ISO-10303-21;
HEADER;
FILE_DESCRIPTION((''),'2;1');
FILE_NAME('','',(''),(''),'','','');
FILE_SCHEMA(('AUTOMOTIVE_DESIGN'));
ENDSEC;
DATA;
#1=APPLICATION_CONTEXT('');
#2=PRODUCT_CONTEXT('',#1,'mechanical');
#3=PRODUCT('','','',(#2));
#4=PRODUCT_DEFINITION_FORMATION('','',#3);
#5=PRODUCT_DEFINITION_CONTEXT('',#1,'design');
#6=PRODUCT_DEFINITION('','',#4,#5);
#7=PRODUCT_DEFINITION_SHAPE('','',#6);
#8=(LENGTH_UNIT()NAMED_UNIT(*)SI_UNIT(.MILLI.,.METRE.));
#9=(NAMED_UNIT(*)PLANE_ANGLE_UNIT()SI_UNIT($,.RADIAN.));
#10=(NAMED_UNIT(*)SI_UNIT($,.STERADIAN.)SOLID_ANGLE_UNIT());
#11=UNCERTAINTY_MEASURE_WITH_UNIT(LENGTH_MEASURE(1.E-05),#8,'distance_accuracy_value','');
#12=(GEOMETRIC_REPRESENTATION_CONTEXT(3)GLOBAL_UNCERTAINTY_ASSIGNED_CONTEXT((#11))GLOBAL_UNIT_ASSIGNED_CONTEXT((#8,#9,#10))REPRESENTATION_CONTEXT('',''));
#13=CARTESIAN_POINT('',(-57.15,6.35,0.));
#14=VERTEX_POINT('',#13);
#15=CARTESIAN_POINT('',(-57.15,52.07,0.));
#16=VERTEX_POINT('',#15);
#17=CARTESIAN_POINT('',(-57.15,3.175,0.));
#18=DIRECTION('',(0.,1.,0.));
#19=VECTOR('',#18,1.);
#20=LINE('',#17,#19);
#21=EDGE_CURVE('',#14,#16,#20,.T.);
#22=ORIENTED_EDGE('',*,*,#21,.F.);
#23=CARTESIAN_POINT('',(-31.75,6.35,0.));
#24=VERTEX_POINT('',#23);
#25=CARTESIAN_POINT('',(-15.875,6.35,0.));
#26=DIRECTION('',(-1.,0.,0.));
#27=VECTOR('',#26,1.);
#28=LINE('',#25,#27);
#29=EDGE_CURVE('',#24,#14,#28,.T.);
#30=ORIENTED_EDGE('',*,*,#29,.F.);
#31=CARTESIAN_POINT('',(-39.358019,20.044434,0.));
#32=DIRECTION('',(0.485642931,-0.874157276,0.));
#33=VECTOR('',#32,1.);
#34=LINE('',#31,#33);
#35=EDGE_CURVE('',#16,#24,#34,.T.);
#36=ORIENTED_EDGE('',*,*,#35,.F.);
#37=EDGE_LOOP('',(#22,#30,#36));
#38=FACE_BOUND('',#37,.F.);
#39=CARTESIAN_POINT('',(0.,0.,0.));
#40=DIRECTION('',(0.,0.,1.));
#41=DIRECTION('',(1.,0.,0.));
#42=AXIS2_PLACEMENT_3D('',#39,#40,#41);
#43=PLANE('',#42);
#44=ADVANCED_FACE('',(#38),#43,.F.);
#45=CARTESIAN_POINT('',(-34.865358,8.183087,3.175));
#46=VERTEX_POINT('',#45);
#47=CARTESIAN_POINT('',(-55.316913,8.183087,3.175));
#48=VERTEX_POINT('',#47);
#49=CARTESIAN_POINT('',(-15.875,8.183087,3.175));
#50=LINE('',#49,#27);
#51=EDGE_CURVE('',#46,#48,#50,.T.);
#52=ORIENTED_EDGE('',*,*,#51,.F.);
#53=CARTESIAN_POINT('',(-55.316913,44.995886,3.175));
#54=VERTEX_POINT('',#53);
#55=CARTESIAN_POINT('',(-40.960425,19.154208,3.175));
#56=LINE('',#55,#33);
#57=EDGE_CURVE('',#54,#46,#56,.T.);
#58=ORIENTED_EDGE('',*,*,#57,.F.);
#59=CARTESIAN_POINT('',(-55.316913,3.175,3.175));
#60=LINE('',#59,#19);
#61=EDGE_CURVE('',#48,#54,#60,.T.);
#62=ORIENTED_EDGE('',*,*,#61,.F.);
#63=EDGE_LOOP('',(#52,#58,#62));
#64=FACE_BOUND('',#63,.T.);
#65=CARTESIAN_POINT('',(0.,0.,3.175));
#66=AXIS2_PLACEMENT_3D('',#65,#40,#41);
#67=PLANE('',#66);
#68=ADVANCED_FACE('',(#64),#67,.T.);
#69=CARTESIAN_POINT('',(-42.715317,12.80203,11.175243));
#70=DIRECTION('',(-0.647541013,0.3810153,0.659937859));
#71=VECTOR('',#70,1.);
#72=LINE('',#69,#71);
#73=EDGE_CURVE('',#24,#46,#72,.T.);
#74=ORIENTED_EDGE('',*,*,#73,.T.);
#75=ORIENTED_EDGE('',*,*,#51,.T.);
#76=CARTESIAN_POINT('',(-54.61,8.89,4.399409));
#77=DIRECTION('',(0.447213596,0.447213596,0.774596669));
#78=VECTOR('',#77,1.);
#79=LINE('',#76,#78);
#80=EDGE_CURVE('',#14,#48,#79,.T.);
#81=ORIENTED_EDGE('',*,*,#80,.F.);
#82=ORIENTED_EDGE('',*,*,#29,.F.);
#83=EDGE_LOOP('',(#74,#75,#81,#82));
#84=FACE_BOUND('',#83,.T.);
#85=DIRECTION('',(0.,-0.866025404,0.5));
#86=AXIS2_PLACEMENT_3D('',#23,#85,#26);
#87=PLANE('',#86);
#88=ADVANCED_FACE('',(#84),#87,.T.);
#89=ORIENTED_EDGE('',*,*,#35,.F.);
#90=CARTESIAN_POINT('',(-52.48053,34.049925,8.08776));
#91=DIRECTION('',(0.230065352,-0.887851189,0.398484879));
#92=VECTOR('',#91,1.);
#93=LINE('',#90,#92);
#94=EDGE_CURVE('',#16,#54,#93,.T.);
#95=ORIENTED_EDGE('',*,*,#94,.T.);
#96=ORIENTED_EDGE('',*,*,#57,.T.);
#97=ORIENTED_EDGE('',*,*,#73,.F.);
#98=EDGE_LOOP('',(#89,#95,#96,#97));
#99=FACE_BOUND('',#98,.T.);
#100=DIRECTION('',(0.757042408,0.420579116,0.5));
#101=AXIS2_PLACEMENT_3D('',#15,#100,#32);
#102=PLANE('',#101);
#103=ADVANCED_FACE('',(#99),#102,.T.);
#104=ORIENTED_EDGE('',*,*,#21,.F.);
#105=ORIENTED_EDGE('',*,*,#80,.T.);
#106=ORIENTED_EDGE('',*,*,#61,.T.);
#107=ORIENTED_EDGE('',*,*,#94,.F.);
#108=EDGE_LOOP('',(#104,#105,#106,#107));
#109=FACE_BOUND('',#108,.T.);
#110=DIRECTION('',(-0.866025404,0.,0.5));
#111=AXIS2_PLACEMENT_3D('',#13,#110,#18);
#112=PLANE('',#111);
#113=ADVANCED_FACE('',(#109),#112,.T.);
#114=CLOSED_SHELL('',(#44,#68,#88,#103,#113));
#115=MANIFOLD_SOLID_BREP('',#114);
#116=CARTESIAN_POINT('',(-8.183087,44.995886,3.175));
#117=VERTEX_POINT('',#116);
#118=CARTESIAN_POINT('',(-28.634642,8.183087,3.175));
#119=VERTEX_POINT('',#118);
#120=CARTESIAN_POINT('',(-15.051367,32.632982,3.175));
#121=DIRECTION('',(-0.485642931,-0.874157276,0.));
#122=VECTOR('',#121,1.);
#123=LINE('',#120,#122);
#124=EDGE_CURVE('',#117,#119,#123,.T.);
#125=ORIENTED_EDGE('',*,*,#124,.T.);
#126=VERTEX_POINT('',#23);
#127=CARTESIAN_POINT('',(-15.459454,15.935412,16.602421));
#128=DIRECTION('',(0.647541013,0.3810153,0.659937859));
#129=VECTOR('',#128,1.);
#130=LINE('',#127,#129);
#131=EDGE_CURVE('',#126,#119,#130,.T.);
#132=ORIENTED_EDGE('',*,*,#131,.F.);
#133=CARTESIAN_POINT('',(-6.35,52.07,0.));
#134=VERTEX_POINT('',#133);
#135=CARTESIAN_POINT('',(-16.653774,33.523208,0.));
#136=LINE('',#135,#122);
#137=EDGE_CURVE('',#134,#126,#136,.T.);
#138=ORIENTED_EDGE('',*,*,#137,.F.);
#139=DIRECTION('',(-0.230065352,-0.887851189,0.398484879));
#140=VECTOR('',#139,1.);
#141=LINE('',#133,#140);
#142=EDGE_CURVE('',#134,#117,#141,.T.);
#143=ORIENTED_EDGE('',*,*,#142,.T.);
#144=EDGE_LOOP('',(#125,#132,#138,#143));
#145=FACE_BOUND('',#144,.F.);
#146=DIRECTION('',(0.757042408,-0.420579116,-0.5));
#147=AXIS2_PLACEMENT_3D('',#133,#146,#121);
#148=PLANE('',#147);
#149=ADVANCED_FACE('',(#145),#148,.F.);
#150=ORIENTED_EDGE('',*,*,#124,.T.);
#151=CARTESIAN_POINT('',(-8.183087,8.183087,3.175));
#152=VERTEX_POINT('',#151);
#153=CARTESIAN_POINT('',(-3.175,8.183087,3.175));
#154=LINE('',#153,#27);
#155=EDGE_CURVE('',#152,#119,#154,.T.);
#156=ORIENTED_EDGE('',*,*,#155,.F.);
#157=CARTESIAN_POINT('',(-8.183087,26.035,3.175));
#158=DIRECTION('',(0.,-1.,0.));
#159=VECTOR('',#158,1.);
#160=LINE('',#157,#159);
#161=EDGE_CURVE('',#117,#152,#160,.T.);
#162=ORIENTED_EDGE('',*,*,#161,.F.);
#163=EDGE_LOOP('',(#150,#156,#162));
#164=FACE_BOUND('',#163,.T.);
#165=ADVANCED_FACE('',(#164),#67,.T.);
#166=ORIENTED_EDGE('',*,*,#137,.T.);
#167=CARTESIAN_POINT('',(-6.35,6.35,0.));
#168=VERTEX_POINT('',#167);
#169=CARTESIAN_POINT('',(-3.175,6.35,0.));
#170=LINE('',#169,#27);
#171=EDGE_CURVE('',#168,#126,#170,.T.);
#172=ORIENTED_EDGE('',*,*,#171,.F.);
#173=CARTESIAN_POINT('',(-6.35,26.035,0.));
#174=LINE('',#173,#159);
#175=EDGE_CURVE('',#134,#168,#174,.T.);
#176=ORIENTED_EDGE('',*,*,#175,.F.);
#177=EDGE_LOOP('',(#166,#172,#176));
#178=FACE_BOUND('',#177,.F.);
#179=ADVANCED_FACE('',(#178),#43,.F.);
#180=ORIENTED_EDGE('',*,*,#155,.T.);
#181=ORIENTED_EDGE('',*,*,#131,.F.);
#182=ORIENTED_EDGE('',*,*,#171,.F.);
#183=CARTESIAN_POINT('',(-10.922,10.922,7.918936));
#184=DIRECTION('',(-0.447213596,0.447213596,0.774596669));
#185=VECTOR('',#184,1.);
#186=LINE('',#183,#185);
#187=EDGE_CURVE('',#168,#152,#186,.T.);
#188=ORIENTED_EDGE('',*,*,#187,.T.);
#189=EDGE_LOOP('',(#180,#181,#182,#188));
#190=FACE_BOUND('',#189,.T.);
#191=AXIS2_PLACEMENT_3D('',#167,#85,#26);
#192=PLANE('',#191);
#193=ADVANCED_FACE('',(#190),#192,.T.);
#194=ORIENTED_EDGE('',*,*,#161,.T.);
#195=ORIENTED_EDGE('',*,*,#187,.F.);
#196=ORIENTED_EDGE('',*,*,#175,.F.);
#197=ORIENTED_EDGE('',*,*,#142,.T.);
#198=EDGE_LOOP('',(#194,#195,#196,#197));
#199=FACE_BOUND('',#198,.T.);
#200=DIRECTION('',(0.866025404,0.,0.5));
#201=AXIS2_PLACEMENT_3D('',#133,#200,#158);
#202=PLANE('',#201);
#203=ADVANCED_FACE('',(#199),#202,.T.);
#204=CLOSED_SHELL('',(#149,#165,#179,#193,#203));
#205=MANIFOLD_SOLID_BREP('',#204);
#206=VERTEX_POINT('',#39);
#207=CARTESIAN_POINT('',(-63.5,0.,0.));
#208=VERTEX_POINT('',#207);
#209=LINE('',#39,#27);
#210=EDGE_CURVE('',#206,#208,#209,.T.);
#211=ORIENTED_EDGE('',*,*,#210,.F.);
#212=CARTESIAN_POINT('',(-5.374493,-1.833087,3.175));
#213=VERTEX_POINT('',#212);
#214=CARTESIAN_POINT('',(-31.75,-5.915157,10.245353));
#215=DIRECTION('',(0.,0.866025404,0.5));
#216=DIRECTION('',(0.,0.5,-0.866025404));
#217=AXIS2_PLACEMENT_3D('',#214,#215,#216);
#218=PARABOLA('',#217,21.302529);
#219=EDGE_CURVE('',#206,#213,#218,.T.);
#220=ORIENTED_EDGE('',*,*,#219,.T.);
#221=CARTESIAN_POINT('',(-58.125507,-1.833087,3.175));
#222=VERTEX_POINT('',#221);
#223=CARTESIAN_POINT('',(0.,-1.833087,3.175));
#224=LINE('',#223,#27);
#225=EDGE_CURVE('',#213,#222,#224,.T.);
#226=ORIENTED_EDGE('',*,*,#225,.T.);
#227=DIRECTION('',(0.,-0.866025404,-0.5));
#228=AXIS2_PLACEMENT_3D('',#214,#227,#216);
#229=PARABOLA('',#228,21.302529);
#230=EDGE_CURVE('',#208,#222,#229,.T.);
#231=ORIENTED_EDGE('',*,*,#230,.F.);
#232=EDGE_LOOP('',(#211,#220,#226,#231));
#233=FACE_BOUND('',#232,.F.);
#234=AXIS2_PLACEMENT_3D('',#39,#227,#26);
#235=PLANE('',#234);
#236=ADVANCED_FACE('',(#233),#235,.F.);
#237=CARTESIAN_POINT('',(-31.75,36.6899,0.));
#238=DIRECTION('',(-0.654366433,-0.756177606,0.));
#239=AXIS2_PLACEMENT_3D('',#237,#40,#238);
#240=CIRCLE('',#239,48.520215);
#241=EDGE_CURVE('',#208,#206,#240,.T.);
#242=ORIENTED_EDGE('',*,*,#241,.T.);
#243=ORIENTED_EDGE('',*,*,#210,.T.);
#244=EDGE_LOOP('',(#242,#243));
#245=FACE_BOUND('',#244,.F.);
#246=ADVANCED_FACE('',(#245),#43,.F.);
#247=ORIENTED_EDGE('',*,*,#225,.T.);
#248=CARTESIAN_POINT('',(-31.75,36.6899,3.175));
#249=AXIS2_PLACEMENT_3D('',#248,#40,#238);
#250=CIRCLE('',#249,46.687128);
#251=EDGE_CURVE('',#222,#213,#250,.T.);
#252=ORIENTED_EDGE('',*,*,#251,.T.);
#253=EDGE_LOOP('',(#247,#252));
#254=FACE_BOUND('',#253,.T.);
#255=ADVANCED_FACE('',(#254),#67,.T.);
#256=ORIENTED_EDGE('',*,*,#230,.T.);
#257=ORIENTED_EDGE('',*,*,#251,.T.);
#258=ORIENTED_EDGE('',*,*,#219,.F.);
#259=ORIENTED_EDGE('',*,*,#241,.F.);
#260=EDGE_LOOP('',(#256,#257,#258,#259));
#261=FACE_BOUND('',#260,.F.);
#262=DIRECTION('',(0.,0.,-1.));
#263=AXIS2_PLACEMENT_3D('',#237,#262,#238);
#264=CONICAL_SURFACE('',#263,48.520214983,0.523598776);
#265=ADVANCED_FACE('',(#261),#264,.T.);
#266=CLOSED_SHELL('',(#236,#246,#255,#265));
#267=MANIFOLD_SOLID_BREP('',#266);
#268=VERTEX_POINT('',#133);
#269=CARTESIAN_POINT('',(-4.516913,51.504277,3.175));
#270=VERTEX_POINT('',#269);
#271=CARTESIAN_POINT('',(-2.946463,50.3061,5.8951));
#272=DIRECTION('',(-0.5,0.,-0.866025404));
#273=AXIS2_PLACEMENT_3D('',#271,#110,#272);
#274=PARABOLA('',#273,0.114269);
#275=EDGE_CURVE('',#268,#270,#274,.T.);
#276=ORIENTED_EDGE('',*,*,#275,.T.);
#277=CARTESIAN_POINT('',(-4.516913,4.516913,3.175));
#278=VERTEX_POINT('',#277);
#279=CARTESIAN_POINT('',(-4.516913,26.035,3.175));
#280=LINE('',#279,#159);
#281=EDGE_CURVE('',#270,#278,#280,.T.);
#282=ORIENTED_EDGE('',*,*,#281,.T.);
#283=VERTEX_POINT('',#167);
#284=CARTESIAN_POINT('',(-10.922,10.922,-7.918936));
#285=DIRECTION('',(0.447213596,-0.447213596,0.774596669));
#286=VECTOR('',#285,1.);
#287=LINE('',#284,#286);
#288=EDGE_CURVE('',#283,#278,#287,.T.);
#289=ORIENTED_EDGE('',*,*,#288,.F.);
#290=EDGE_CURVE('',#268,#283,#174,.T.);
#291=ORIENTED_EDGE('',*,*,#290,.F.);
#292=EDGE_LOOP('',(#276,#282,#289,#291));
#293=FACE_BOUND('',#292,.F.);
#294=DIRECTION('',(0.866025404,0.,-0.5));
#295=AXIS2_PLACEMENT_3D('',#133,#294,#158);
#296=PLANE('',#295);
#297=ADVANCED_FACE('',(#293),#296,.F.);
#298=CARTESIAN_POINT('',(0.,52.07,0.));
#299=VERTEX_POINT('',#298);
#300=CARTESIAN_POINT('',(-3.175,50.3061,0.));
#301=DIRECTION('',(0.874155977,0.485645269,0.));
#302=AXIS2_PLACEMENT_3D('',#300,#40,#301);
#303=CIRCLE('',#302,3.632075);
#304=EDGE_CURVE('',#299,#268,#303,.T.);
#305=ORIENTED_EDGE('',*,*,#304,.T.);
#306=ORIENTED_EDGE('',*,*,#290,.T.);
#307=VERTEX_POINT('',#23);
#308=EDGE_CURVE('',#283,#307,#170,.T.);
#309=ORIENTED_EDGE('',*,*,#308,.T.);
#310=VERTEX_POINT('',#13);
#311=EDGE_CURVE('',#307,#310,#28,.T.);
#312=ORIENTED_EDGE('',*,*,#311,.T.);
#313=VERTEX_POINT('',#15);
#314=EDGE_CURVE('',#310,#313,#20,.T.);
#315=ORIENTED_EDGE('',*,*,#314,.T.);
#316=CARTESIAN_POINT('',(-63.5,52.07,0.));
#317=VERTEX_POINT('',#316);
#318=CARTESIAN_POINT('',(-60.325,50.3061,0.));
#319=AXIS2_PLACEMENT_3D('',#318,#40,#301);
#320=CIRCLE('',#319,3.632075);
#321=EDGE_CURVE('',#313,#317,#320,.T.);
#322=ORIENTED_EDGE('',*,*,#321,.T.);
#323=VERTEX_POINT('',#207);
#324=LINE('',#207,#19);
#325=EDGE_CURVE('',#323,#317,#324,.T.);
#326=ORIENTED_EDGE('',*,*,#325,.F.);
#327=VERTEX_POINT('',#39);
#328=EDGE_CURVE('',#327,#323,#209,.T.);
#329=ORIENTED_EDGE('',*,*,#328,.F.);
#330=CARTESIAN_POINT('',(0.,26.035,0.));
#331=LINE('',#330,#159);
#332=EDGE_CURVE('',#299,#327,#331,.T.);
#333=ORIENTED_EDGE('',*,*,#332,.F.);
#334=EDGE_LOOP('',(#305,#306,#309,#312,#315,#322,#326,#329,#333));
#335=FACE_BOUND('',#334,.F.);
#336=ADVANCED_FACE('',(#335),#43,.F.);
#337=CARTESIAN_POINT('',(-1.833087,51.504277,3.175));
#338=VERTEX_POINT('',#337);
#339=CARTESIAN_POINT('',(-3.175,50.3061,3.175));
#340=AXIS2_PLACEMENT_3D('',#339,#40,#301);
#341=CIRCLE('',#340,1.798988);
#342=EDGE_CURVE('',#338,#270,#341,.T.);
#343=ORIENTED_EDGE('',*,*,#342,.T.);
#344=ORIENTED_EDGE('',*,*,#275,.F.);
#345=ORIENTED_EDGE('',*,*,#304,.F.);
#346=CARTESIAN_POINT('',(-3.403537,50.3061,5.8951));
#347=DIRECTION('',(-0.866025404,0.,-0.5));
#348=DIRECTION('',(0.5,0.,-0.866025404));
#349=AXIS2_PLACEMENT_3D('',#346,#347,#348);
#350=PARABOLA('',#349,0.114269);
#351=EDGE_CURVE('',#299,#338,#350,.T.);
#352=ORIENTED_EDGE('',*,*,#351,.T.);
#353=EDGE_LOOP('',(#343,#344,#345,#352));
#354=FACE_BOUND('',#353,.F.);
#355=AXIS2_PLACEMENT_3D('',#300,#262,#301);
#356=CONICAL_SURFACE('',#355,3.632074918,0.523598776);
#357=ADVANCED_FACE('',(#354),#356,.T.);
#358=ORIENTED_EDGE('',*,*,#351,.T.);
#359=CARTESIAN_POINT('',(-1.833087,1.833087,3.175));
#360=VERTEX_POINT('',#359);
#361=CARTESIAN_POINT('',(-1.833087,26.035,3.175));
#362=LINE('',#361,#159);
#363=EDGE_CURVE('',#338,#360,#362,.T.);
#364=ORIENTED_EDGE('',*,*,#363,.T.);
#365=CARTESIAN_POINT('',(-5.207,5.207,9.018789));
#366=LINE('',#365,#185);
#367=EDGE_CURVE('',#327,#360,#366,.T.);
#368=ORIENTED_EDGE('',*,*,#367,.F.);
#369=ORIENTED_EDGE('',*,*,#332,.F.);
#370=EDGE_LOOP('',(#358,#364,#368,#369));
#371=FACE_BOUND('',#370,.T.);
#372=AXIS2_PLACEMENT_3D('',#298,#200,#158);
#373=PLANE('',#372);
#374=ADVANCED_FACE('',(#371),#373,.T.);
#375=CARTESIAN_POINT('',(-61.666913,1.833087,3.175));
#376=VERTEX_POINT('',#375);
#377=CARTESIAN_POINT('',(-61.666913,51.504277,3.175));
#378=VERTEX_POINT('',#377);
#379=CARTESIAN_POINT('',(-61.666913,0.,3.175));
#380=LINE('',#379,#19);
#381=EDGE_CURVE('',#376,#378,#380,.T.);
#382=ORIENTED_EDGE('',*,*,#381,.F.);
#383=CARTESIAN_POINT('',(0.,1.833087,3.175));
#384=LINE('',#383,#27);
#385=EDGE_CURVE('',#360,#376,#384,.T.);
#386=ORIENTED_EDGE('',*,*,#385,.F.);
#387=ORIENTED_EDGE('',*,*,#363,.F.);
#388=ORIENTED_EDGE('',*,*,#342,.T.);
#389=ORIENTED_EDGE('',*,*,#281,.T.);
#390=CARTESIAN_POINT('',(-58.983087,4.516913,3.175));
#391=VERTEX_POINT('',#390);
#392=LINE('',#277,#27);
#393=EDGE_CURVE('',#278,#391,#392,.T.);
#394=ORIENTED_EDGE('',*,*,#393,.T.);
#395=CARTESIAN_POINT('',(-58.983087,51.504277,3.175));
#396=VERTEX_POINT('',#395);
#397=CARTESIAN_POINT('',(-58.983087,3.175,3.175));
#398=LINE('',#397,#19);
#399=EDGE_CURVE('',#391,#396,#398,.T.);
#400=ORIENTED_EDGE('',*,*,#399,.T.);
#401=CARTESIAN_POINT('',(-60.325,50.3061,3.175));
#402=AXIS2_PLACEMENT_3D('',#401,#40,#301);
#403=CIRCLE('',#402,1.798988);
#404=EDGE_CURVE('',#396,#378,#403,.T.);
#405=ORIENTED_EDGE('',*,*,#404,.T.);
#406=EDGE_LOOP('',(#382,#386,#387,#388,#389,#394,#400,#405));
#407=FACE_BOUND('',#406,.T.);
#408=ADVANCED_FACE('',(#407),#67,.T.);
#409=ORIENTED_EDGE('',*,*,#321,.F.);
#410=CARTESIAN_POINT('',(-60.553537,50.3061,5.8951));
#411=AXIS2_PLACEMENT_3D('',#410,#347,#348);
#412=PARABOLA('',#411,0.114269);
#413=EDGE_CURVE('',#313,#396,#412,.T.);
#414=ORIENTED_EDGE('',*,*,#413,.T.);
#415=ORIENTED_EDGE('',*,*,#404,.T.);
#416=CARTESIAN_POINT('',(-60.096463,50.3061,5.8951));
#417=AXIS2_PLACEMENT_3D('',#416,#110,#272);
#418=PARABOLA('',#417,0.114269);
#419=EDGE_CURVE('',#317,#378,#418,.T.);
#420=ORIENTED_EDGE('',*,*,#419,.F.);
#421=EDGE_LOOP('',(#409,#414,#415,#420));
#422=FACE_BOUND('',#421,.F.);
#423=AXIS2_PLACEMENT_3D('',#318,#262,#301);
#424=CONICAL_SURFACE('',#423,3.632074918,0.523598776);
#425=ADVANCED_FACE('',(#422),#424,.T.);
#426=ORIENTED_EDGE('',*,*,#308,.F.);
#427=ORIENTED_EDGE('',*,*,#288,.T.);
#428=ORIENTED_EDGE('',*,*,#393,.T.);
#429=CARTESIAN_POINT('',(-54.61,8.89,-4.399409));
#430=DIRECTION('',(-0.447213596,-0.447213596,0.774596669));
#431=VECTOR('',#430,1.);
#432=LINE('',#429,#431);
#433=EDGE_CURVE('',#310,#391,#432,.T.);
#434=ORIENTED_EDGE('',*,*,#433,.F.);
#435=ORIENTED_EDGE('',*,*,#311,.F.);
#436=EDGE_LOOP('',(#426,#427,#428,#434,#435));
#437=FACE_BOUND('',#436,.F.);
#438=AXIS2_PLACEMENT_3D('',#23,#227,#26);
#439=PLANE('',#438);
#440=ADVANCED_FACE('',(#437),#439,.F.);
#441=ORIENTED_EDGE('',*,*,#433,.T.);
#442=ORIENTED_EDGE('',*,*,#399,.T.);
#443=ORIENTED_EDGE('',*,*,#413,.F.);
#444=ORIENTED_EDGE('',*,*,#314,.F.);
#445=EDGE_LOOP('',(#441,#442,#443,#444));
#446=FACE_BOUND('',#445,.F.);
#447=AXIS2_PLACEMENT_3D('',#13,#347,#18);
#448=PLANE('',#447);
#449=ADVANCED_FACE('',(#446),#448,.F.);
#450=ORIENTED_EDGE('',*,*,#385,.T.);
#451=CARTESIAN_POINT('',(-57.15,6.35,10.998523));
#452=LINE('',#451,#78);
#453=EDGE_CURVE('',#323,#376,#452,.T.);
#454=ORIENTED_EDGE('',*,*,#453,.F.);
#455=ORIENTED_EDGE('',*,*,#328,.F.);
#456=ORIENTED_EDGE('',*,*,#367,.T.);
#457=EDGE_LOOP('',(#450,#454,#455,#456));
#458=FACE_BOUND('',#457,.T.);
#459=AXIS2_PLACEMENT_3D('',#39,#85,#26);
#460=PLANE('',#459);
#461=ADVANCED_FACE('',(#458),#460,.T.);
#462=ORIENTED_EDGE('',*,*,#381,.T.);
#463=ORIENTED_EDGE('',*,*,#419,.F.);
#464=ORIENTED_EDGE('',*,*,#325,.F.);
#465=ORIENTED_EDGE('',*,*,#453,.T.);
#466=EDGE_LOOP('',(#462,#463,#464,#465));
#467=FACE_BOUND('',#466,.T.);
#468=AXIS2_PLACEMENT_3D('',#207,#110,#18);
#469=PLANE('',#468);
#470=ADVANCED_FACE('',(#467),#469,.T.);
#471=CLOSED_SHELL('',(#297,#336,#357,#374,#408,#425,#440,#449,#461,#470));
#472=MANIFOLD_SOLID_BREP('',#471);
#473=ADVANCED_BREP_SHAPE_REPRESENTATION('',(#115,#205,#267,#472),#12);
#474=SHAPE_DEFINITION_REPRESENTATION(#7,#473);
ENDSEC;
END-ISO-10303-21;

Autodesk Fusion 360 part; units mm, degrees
sketch "Sketch1" plane through (0, 0, 0) normal (0, 0, 1) x (1, 0, 0)
  line L0 (0, 0) -> (-63.5, 0)
  line L1 (-63.5, 0) -> (-63.5, 63.5)
  line L2 (-63.5, 63.5) -> (0, 63.5)
  line L3 (0, 63.5) -> (0, 0)
  line L4 (-6.35, 6.35) -> (-57.15, 6.35)
  line L5 (-57.15, 6.35) -> (-57.15, 57.15)
  line L6 (-57.15, 57.15) -> (-6.35, 57.15)
  line L7 (-6.35, 57.15) -> (-6.35, 6.35)
  line L8 (-63.5, 63.5) -> (-31.75, 6.35)
  line L9 (0, 63.5) -> (-31.75, 6.35)
  arc A0 (-63.5, 0) -> (0, 0) centre (-31.75, 36.6899) ccw
  arc A1 (-57.15, 52.07) -> (-63.5, 52.07) centre (-60.325, 50.3061) ccw
  arc A2 (0, 52.07) -> (-6.35, 52.07) centre (-3.175, 50.3061) ccw
  dimension "d1" = 63.5
  dimension "d2" = 63.5
  dimension "d3" = 6.35
extrude "Extrude1" add sketch "Sketch1" along normal blind 3.175 draft -30 contours L0 A0 | L0 L1 L3 L4 L5 L7 A1 A2 | L4 L7 L9 | L4 L5 L8
